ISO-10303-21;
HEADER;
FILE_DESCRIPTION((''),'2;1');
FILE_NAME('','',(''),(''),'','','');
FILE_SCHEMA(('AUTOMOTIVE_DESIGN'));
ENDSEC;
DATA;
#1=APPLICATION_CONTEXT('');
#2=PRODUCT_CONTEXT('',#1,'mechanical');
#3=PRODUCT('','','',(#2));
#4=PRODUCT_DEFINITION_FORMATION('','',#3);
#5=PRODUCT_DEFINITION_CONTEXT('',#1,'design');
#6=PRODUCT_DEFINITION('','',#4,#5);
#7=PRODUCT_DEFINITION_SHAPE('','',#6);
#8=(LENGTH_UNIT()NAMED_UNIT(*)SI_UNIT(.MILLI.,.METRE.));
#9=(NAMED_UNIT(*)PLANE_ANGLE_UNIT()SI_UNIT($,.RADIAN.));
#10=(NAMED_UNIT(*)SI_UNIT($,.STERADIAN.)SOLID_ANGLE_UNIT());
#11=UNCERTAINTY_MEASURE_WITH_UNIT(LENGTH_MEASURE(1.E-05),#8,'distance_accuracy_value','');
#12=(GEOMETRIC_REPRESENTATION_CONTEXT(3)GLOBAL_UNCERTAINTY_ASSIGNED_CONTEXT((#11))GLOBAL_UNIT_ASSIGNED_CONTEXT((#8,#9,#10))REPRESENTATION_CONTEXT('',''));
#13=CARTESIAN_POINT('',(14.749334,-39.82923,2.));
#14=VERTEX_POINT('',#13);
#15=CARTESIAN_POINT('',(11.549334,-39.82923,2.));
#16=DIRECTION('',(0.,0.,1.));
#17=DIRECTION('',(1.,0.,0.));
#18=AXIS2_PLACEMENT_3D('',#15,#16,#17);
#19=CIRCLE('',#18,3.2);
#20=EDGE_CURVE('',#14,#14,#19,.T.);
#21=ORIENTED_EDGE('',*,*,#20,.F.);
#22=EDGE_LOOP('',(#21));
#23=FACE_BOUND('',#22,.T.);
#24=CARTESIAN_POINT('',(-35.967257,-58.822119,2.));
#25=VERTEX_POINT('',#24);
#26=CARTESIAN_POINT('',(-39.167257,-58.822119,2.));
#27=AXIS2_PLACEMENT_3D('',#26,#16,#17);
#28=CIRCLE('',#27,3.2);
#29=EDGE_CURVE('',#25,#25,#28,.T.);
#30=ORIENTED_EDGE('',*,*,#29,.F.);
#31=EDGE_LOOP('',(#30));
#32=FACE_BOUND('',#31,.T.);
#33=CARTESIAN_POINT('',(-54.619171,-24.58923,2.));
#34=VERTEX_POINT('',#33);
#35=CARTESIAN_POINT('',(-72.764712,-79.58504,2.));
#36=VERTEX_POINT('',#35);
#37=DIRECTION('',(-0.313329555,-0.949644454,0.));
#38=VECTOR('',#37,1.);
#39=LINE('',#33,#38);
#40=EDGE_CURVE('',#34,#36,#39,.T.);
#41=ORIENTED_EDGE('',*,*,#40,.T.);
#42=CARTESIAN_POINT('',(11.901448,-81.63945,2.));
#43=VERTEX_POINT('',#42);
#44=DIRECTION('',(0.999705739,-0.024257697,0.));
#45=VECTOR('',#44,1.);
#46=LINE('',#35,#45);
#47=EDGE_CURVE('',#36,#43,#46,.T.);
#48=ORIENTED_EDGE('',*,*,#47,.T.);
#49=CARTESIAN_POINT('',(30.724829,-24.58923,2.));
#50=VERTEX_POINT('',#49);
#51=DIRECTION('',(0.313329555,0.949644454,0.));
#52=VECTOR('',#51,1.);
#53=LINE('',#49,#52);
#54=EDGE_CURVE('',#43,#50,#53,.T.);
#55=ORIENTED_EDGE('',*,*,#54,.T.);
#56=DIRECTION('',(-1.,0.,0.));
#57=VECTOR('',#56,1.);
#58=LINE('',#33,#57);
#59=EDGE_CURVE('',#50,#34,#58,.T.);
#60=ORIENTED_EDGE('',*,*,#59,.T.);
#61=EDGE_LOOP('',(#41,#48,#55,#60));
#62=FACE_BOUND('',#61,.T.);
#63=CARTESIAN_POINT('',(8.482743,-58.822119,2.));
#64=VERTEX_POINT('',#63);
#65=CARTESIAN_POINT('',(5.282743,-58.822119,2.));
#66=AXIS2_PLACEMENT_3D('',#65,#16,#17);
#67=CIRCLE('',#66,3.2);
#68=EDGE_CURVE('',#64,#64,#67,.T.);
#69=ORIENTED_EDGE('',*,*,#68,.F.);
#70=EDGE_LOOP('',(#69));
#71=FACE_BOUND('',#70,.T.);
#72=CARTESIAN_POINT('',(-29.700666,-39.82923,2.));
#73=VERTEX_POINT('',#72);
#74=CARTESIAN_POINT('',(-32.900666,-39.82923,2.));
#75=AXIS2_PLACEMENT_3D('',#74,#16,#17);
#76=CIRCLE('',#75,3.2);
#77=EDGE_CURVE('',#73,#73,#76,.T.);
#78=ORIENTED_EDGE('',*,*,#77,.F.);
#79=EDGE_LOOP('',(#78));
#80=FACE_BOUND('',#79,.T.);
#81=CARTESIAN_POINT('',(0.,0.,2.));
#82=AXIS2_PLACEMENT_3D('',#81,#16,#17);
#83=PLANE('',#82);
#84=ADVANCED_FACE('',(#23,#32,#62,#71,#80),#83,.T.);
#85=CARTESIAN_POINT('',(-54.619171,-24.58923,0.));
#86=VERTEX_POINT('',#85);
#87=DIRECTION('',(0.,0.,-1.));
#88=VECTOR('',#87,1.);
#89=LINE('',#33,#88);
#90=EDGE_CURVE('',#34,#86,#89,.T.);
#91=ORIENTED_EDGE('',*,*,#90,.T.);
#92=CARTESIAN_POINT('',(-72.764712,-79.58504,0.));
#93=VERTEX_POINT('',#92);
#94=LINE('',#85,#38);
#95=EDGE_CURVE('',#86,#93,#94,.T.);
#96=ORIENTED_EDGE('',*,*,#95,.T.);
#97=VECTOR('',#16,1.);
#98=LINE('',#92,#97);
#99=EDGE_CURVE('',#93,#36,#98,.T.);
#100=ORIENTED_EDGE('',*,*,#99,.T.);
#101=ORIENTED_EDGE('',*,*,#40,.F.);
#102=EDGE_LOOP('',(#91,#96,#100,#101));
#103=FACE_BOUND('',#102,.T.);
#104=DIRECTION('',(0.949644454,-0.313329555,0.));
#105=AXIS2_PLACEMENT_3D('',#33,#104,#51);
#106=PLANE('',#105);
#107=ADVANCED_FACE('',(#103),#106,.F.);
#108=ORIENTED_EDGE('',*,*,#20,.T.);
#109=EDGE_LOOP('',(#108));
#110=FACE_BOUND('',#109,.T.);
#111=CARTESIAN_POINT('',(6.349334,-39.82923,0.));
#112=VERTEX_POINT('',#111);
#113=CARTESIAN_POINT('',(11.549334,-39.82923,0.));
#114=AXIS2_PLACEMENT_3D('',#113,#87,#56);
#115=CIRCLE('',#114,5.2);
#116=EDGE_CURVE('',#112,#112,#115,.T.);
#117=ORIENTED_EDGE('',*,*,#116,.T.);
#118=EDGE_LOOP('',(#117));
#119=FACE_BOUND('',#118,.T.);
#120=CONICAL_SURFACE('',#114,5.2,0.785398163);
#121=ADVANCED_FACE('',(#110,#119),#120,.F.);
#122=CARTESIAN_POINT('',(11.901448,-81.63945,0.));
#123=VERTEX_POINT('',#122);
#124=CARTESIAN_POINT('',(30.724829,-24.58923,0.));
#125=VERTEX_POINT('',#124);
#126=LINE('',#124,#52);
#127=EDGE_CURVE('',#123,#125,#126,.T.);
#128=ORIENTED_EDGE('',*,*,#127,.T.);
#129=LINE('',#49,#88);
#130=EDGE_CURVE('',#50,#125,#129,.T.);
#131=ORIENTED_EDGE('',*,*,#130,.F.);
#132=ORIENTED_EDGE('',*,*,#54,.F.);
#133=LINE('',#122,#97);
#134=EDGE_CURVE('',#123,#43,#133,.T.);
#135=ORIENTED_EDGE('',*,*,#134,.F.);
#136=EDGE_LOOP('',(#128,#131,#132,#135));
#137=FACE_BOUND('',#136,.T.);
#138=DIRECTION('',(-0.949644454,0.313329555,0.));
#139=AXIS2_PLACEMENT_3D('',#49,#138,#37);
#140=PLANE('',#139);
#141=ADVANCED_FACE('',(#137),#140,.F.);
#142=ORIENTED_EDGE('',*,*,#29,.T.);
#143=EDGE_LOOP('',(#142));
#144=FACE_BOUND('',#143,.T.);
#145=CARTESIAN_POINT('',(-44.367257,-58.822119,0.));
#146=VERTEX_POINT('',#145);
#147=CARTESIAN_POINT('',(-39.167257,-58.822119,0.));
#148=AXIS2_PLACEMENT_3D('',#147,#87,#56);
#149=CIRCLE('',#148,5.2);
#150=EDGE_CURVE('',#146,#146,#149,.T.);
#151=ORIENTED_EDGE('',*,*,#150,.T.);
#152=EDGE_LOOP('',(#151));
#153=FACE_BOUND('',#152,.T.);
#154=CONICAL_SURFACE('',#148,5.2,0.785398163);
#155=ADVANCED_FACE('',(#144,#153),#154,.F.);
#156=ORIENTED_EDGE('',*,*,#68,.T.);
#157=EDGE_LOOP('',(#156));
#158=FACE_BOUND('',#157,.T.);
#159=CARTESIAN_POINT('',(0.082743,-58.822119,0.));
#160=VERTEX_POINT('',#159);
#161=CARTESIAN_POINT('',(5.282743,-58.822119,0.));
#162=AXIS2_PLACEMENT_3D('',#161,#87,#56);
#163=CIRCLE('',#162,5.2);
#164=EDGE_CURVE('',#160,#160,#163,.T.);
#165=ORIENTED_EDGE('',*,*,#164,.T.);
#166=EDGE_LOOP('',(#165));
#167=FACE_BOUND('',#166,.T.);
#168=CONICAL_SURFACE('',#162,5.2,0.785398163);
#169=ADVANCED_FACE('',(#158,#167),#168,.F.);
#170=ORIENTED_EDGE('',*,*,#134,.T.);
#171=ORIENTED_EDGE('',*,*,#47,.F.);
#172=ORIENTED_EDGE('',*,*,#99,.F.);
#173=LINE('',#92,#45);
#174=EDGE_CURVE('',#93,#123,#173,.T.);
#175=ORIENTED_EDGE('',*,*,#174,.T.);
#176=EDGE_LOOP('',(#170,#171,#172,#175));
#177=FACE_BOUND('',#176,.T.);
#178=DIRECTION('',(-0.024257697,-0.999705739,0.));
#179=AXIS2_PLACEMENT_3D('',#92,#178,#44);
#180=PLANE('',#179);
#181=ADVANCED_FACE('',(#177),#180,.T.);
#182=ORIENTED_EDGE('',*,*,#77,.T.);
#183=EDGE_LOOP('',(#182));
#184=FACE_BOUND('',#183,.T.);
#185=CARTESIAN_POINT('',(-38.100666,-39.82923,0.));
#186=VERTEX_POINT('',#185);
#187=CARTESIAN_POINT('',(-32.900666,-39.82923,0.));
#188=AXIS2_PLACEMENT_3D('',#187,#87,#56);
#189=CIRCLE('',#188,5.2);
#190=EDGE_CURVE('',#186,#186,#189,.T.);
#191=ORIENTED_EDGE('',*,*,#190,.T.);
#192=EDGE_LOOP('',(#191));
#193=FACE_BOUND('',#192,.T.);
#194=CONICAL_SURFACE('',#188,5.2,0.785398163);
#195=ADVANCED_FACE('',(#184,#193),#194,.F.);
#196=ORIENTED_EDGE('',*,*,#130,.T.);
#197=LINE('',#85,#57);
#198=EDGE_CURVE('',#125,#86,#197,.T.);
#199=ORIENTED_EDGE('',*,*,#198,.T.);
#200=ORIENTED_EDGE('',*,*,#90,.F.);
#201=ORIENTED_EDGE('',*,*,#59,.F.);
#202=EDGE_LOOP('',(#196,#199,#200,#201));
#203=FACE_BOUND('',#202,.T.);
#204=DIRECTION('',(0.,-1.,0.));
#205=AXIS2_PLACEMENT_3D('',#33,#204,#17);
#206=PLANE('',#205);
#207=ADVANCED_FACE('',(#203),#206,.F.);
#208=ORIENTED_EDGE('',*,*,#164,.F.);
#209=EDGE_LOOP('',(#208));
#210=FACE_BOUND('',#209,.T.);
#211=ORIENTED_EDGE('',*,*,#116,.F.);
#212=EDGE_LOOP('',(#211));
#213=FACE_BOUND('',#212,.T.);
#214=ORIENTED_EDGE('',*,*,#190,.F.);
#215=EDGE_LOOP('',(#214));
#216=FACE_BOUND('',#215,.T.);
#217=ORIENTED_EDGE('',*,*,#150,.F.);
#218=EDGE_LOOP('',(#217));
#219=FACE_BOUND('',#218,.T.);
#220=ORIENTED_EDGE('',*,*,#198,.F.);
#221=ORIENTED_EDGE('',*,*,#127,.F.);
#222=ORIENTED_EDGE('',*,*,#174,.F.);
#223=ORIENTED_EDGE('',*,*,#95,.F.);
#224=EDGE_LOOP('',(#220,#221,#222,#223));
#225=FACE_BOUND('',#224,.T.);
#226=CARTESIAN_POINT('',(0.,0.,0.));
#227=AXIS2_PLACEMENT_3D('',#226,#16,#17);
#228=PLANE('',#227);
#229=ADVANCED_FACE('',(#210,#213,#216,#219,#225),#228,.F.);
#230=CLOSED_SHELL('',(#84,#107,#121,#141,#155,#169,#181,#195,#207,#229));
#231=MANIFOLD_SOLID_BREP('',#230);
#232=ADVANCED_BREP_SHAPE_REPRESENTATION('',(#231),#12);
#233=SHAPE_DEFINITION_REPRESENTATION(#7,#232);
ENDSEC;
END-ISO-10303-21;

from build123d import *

# Parameters (mm, degrees)
BOSS_EXTRUDE1_DEPTH                            = 2
BOSS_EXTRUDE2_DEPTH                            = 2
SKETCH4_R                                      = 2.5
CUT_EXTRUDE2_DEPTH                             = 2
CSK_FOR_M5_FLAT_HEAD_MACHINE_SCREW1_AT_2_COUNT = 2
CSK_FOR_M5_FLAT_HEAD_MACHINE_SCREW1_AT_2_PITCH = 44.45
CSK_FOR_M5_FLAT_HEAD_MACHINE_SCREW1_AT_3_COUNT = 2
CSK_FOR_M5_FLAT_HEAD_MACHINE_SCREW1_AT_3_PITCH = 54.156278026
CSK_FOR_M5_FLAT_HEAD_MACHINE_SCREW1_AT_4_COUNT = 2
CSK_FOR_M5_FLAT_HEAD_MACHINE_SCREW1_AT_4_PITCH = 20


with BuildPart() as part:
    # Sketch2 → Boss-Extrude1 (new body)
    with BuildSketch(Plane.XY):
        Polygon((-54.61917065, -24.589230235), (30.72482935, -24.589230235), (13.852659447, -75.725684813), (-71.491340553, -75.725684813), align=None)
    extrude(amount=BOSS_EXTRUDE1_DEPTH)

    # Sketch3 → Boss-Extrude2 (add)
    with BuildSketch(Plane.XY.offset(2)):
        Polygon((-72.764711867, -79.585039875), (11.90144755, -81.639450446), (13.852659447, -75.725684813), (-71.491340553, -75.725684813), align=None)
    extrude(amount=-BOSS_EXTRUDE2_DEPTH)

    # Sketch4 → Cut-Extrude2 (cut)
    with BuildSketch(Plane.XY.offset(2)):
        with Locations((-32.900665919, -39.829230235)):
            Circle(SKETCH4_R)
        with Locations((11.549334081, -39.829230235)):
            Circle(SKETCH4_R)
        with Locations((5.282742972, -58.822119322)):
            Circle(SKETCH4_R)
        with Locations((-39.167257028, -58.822119322)):
            Circle(SKETCH4_R)
    extrude(amount=-CUT_EXTRUDE2_DEPTH, mode=Mode.SUBTRACT)

    # Sketch5 → CSK for M5 Flat Head Machine Screw1 (revolve, cut)
    with BuildSketch(Plane(origin=(11.549334081, -39.829230235, 0), x_dir=(0, 1, 0), z_dir=(1, 0, 0))):
        Polygon((0, 0), (0, 2), (2.75, 2), (2.75, 2.45), (5.2, 0), align=None)
    csk_for_m5_flat_head_machine_screw1 = revolve(axis=Axis((11.549334081, -39.829230235, -6.35), (0, 0, 1)), mode=Mode.SUBTRACT)

    # CSK for M5 Flat Head Machine Screw1 at 2: CSK for M5 Flat Head Machine Screw1 ×2
    with Locations(*[(-i * CSK_FOR_M5_FLAT_HEAD_MACHINE_SCREW1_AT_2_PITCH, 0, 0) for i in range(1, CSK_FOR_M5_FLAT_HEAD_MACHINE_SCREW1_AT_2_COUNT)]):
        add(csk_for_m5_flat_head_machine_screw1, mode=Mode.SUBTRACT)

    # CSK for M5 Flat Head Machine Screw1 at 3: CSK for M5 Flat Head Machine Screw1 ×2
    with Locations(*[Vector(-0.9364859063085671, -0.35070521422616713, 0) * (i * CSK_FOR_M5_FLAT_HEAD_MACHINE_SCREW1_AT_3_PITCH) for i in range(1, CSK_FOR_M5_FLAT_HEAD_MACHINE_SCREW1_AT_3_COUNT)]):
        add(csk_for_m5_flat_head_machine_screw1, mode=Mode.SUBTRACT)

    # CSK for M5 Flat Head Machine Screw1 at 4: CSK for M5 Flat Head Machine Screw1 ×2
    with Locations(*[Vector(-0.31332955547970937, -0.9496444543421964, 0) * (i * CSK_FOR_M5_FLAT_HEAD_MACHINE_SCREW1_AT_4_PITCH) for i in range(1, CSK_FOR_M5_FLAT_HEAD_MACHINE_SCREW1_AT_4_COUNT)]):
        add(csk_for_m5_flat_head_machine_screw1, mode=Mode.SUBTRACT)


solid = part.part
